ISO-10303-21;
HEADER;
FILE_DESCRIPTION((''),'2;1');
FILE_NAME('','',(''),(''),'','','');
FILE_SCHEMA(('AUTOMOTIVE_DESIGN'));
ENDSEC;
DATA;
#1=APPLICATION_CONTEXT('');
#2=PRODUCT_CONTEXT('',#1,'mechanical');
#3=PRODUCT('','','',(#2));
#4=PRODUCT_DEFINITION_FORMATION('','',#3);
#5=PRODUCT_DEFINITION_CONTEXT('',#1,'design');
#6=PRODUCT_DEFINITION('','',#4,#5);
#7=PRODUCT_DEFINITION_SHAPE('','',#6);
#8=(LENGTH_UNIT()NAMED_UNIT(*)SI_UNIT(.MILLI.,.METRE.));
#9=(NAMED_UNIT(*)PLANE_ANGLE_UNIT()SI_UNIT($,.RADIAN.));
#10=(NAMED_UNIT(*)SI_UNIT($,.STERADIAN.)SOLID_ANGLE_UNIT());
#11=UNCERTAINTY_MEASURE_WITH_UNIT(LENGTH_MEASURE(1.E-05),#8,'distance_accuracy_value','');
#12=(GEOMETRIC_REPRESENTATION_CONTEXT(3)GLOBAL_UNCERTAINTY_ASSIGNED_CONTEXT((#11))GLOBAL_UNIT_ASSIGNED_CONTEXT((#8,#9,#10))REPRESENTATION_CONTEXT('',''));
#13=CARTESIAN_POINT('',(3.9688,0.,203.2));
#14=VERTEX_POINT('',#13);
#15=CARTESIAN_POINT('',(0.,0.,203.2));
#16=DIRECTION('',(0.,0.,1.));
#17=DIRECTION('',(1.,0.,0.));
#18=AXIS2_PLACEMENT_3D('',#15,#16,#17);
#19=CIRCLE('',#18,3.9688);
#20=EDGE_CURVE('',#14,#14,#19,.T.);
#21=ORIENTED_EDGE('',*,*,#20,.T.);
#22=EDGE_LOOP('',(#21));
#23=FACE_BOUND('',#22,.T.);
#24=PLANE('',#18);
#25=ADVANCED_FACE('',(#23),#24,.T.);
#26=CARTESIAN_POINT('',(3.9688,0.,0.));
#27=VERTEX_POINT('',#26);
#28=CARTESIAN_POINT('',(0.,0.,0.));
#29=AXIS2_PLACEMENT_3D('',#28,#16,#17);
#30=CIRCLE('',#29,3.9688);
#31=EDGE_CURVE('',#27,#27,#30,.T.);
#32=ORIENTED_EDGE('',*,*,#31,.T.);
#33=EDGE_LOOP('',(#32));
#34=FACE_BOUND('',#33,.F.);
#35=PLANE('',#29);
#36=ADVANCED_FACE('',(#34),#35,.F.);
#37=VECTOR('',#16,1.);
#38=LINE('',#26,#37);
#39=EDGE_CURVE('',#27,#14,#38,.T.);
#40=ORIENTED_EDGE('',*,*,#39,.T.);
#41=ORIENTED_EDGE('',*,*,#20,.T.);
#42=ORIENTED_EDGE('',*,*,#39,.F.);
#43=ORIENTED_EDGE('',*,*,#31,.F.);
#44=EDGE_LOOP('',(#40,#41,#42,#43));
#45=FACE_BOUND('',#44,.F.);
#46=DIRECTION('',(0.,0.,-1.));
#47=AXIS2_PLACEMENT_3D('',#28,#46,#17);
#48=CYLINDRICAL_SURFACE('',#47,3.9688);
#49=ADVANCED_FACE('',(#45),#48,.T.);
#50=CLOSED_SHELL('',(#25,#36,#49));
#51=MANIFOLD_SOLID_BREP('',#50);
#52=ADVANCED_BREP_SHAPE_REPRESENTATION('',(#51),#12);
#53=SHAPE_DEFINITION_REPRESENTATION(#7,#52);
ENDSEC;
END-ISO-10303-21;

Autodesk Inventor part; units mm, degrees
ref_plane "YZ Plane" through (0, 0, 0) normal (1, 0, 0) x (0, 1, 0)
ref_plane "XZ Plane" through (0, 0, 0) normal (0, 1, 0) x (-1, 0, 0)
ref_plane "XY Plane" through (0, 0, 0) normal (0, 0, 1) x (1, 0, 0)
sketch "Sketch1" plane through (0, 0, 0) normal (0, 0, 1) x (1, 0, 0)
  circle A0 centre (0, 0) radius 3.9688
  dimension "d0" = 7.9375
  dimension "d0" = 7.9375
extrude "Extrusion1" add sketch "Sketch1" along normal blind 203.2
properties part number "RollerAxle" material "Stainless Steel"
